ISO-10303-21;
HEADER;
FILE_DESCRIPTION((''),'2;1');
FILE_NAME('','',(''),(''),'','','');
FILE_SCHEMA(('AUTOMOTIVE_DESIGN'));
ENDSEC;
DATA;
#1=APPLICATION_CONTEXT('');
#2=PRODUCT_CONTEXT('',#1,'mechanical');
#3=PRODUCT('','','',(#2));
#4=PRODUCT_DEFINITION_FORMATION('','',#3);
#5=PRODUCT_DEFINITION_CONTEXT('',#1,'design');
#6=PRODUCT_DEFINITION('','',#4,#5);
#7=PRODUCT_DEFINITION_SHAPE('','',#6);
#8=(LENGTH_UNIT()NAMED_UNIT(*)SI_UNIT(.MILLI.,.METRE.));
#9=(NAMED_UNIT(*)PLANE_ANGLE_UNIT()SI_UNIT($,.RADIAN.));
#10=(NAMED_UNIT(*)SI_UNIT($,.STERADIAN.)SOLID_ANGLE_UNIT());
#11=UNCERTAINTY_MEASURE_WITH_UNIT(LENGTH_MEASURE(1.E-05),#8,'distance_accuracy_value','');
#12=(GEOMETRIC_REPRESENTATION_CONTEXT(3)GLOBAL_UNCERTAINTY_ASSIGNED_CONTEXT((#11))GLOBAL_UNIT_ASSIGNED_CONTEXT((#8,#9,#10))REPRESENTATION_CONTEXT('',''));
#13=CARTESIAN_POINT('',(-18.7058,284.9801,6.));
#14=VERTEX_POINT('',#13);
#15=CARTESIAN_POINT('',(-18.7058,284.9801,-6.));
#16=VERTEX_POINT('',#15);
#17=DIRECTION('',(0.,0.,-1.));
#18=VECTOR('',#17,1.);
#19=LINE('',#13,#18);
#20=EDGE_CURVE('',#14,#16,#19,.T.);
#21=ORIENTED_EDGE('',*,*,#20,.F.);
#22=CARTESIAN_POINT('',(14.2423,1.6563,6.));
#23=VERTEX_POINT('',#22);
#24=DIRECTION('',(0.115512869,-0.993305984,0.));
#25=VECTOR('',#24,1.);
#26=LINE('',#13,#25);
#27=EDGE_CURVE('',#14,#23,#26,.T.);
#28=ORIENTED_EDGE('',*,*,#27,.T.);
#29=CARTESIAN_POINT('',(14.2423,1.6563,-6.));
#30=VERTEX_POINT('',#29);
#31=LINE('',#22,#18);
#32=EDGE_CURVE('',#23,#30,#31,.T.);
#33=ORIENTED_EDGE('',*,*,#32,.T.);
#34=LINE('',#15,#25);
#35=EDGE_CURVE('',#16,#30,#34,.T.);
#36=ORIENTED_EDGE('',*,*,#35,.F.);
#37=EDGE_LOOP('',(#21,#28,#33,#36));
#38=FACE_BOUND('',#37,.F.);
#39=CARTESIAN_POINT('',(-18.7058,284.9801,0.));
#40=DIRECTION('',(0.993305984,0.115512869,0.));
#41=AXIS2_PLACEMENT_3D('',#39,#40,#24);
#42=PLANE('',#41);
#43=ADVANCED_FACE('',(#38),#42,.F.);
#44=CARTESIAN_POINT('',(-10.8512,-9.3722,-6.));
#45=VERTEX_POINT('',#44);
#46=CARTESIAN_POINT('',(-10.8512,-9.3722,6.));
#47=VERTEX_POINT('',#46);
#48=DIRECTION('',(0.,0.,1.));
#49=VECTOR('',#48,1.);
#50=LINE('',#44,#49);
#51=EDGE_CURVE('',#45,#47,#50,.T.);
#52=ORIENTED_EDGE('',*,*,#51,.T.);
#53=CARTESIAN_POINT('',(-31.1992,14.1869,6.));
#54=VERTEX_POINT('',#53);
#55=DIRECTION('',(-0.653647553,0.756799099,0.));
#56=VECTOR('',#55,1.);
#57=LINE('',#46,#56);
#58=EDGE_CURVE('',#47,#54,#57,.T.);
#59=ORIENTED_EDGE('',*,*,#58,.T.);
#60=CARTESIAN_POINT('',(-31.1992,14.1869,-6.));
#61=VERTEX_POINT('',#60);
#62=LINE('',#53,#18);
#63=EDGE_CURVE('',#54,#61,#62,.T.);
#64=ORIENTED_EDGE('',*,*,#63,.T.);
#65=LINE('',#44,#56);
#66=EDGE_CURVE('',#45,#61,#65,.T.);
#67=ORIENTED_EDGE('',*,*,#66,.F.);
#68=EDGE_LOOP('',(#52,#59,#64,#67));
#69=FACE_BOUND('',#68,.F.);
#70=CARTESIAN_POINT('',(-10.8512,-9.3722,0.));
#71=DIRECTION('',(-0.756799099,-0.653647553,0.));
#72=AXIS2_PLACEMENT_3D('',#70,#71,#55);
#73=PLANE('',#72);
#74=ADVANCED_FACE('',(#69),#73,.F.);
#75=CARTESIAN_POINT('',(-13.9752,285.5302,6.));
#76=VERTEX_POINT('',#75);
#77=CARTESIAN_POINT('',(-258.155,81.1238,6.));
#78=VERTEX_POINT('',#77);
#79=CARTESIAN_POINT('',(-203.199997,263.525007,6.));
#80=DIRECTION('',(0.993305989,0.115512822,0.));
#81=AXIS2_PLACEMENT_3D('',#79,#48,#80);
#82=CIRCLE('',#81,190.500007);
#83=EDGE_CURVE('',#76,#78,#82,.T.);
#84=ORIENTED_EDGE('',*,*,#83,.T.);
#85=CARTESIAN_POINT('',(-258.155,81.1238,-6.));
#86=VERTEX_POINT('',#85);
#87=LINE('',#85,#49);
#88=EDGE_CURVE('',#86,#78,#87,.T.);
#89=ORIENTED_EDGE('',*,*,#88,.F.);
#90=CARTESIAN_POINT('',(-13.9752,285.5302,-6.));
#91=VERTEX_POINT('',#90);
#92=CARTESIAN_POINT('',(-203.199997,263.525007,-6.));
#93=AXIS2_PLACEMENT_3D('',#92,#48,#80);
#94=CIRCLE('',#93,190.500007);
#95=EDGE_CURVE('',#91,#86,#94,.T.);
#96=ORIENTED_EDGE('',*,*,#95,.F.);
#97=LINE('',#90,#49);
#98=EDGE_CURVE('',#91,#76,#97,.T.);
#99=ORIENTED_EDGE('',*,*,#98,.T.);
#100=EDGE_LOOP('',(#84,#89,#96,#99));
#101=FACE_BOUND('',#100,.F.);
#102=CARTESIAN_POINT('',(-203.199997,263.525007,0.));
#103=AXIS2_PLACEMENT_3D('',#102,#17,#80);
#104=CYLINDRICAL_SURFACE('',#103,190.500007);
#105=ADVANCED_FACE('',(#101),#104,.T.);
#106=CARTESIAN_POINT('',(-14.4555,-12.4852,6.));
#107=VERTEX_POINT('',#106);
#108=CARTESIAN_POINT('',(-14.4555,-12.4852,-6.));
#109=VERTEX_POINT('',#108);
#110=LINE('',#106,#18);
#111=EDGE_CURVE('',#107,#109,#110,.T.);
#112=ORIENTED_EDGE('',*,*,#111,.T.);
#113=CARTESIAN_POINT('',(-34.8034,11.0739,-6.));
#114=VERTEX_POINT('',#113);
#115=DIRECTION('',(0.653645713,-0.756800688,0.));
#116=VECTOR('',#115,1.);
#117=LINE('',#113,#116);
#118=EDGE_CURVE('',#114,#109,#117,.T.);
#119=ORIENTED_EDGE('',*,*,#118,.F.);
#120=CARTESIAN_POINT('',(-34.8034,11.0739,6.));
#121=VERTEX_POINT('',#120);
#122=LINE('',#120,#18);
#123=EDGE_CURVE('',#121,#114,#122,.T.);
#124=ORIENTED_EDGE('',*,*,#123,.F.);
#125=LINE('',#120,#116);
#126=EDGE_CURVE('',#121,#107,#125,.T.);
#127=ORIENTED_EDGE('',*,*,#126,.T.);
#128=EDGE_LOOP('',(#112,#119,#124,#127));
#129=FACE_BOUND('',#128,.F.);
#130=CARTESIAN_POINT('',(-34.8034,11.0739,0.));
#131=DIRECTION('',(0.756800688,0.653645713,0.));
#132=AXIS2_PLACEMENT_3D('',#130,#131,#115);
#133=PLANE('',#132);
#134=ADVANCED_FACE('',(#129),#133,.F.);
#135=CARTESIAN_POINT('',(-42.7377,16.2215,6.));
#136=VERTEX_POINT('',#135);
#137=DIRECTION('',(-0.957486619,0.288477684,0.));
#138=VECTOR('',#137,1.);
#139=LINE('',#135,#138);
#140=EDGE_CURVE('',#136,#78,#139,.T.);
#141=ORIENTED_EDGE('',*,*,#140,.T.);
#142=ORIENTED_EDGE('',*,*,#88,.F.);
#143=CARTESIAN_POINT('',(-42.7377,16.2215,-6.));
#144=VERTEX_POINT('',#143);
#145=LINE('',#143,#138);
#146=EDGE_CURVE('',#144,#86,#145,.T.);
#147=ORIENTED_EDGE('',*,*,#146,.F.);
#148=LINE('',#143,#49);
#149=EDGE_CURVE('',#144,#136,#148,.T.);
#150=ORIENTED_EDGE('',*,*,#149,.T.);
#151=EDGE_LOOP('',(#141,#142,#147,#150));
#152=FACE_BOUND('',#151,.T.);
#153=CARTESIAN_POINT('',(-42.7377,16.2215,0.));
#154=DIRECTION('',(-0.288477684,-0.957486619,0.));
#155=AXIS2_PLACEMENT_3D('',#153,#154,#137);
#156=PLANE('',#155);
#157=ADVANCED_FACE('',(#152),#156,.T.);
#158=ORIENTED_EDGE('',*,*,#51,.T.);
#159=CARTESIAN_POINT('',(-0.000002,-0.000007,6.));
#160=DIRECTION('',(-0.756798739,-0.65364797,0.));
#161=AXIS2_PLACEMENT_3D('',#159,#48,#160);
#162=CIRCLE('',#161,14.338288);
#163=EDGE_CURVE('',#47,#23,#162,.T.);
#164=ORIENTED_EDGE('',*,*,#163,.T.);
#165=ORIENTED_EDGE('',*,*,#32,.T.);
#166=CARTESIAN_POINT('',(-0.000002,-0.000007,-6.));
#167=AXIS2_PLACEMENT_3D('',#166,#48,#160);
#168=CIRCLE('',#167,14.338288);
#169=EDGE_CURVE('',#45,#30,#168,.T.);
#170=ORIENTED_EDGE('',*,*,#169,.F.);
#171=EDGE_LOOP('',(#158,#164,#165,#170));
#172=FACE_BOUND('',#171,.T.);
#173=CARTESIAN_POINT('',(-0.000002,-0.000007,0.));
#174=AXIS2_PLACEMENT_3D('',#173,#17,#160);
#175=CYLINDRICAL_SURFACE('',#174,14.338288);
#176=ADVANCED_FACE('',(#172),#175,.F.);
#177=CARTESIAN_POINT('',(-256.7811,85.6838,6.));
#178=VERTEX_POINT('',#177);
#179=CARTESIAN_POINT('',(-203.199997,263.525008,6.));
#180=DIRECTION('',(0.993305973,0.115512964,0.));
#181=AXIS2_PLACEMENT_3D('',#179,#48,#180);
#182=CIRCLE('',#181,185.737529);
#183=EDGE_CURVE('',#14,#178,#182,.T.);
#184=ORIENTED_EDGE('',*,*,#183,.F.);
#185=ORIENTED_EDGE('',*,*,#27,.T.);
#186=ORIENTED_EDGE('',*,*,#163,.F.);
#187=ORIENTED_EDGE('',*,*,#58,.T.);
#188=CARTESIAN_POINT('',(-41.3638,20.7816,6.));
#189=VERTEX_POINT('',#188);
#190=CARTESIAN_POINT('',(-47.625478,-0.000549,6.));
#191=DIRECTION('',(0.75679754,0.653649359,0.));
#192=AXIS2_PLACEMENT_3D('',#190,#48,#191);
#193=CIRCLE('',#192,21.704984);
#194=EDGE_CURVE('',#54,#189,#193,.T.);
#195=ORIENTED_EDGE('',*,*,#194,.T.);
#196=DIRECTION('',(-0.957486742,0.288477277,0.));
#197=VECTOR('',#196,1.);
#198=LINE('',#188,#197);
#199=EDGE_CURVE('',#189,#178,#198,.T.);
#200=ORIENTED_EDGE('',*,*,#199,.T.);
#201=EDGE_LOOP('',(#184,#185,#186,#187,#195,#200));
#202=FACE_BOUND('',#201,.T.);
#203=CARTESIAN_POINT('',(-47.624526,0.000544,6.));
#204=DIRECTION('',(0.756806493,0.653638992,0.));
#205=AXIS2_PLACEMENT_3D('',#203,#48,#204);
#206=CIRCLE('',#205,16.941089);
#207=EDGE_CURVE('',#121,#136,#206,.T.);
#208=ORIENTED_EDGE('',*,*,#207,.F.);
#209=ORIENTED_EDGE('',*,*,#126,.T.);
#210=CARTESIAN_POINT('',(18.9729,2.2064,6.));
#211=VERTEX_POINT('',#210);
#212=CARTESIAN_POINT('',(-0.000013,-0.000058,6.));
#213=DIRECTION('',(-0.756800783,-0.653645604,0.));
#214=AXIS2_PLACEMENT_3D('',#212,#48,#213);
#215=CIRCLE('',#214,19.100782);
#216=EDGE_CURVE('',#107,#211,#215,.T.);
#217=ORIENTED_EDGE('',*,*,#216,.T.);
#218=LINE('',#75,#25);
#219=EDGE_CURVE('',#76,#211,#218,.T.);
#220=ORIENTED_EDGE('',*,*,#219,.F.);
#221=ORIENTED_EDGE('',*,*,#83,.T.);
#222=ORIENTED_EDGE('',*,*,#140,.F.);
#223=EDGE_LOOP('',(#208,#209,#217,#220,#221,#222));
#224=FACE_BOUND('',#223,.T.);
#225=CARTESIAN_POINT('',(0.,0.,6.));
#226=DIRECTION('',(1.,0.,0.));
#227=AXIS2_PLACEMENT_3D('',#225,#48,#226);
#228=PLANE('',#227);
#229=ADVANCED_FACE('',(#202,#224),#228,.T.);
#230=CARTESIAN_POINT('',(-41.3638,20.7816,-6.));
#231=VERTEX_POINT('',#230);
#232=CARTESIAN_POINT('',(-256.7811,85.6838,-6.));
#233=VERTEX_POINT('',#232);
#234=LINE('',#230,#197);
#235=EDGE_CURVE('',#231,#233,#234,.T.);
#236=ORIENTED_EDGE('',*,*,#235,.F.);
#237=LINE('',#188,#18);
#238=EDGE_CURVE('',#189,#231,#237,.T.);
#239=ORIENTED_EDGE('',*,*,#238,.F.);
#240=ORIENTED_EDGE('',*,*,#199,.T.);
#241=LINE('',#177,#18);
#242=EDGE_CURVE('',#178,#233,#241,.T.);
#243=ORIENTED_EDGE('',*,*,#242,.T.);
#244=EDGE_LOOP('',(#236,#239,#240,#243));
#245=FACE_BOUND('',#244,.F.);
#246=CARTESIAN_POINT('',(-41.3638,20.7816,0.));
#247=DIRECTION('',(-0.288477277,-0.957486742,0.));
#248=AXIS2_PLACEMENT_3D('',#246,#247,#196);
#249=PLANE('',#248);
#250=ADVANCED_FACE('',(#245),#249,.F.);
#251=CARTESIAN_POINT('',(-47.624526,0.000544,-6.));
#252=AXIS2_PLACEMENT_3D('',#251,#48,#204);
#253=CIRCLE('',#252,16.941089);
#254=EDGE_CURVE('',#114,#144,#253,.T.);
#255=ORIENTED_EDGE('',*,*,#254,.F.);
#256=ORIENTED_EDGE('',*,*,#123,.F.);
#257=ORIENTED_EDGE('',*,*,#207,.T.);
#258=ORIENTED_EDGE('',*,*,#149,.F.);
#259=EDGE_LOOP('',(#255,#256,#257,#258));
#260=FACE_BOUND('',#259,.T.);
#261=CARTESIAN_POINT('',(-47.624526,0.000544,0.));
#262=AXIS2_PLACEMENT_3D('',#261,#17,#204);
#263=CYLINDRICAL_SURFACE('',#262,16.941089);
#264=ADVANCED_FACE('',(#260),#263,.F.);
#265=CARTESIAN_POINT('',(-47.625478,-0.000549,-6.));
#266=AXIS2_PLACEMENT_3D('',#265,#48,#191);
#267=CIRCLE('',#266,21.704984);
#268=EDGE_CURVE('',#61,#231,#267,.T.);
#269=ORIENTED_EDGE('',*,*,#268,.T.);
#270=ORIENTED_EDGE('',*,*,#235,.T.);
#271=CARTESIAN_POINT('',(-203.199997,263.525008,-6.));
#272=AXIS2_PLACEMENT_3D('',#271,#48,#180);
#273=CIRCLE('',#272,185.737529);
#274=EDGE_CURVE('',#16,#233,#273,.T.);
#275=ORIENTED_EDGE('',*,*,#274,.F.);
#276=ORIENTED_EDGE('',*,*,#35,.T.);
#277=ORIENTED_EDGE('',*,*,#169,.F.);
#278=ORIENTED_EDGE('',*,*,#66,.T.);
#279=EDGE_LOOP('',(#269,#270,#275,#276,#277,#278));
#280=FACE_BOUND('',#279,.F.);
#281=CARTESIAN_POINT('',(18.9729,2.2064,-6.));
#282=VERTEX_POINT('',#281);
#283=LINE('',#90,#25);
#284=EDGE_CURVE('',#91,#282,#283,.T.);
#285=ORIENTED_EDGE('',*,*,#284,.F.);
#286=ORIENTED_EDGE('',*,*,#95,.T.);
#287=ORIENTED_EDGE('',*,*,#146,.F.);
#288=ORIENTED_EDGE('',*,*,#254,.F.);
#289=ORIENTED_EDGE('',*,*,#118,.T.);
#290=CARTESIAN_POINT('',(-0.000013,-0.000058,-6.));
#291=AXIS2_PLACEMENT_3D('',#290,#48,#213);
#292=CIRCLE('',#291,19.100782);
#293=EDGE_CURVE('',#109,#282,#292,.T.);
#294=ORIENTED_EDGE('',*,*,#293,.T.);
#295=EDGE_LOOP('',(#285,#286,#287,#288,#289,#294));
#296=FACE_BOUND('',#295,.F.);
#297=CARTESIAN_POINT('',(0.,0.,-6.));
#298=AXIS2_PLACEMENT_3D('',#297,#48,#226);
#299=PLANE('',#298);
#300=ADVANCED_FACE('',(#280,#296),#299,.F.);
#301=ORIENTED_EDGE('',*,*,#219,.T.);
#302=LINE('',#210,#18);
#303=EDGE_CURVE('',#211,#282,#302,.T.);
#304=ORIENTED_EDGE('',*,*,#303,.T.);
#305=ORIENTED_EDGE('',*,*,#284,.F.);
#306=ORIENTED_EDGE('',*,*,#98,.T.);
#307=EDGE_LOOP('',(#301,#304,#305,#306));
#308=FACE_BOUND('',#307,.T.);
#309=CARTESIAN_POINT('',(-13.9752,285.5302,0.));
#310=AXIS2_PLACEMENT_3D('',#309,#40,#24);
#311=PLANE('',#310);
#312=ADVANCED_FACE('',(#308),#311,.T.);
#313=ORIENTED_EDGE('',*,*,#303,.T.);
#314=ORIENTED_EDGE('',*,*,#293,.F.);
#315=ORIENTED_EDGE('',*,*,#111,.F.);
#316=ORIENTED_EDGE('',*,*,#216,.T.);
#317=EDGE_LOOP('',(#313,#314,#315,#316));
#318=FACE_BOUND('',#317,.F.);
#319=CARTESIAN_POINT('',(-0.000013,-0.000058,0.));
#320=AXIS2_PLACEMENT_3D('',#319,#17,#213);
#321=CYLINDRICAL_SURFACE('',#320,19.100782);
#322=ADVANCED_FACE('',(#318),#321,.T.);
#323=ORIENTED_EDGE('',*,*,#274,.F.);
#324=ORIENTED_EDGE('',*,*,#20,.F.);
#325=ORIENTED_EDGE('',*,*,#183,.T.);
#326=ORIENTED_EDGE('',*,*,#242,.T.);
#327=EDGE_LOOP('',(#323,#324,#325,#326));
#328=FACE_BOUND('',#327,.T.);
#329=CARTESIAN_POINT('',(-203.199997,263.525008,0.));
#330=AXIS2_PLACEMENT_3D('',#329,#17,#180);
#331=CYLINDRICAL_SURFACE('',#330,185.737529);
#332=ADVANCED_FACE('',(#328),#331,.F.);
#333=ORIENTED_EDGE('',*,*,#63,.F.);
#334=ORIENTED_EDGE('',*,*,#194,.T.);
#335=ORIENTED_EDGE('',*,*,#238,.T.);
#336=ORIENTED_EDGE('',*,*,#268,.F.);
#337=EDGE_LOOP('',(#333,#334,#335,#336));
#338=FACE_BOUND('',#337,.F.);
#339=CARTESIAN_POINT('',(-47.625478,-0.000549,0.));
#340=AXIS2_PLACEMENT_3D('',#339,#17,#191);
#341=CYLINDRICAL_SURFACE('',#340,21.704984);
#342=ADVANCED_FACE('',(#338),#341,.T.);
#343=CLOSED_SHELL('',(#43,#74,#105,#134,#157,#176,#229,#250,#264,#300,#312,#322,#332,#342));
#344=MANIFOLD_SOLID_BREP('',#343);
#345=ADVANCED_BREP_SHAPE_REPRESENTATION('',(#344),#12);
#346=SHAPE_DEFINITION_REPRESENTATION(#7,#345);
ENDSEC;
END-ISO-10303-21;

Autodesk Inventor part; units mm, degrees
ref_plane "YZ Plane" through (0, 0, 0) normal (1, 0, 0) x (0, 1, 0)
ref_plane "XZ Plane" through (0, 0, 0) normal (0, 1, 0) x (-1, 0, 0)
ref_plane "XY Plane" through (0, 0, 0) normal (0, 0, 1) x (1, 0, 0)
sketch "Sketch1" plane through (0, 0, 0) normal (0, 0, 1) x (1, 0, 0)
  circle A0 centre (0, 0) radius 19.1008 construction
  circle A1 centre (-47.625, 0) radius 16.9418 construction
  circle A2 centre (-203.2, 263.525) radius 190.5 construction
  arc A3 (-13.9752, 285.5302) -> (-258.155, 81.1238) centre (-203.2, 263.525) ccw
  line L0 (-13.9752, 285.5302) -> (18.9729, 2.2064)
  line L1 (-42.7377, 16.2215) -> (-258.155, 81.1238)
  arc A4 (-34.8034, 11.0739) -> (-42.7377, 16.2215) centre (-47.625, 0) ccw
  arc A5 (-14.4555, -12.4852) -> (18.9729, 2.2064) centre (0, 0) ccw
  line L2 (-34.8034, 11.0739) -> (-14.4555, -12.4852)
  arc A6 (-10.8512, -9.3722) -> (14.2423, 1.6563) centre (0, 0) ccw
  line L3 (-10.8512, -9.3722) -> (-31.1992, 14.1869)
  arc A7 (-31.1992, 14.1869) -> (-41.3638, 20.7816) centre (-47.625, 0) ccw
  line L4 (-41.3638, 20.7816) -> (-256.7811, 85.6838)
  arc A8 (-18.7058, 284.9801) -> (-256.7811, 85.6838) centre (-203.2, 263.525) ccw
  line L5 (-18.7058, 284.9801) -> (14.2423, 1.6563)
  dimension "d0" = 381
  dimension "d1" = 33.8836
  dimension "d2" = 38.2016
  dimension "d3" = 155.575
  dimension "d4" = 203.2
  dimension "d5" = 263.525
  dimension "d6" = 4.7625
extrude "Extrusion1" add sketch "Sketch1" along normal mid plane 12
properties part number "CarouselBelt"
